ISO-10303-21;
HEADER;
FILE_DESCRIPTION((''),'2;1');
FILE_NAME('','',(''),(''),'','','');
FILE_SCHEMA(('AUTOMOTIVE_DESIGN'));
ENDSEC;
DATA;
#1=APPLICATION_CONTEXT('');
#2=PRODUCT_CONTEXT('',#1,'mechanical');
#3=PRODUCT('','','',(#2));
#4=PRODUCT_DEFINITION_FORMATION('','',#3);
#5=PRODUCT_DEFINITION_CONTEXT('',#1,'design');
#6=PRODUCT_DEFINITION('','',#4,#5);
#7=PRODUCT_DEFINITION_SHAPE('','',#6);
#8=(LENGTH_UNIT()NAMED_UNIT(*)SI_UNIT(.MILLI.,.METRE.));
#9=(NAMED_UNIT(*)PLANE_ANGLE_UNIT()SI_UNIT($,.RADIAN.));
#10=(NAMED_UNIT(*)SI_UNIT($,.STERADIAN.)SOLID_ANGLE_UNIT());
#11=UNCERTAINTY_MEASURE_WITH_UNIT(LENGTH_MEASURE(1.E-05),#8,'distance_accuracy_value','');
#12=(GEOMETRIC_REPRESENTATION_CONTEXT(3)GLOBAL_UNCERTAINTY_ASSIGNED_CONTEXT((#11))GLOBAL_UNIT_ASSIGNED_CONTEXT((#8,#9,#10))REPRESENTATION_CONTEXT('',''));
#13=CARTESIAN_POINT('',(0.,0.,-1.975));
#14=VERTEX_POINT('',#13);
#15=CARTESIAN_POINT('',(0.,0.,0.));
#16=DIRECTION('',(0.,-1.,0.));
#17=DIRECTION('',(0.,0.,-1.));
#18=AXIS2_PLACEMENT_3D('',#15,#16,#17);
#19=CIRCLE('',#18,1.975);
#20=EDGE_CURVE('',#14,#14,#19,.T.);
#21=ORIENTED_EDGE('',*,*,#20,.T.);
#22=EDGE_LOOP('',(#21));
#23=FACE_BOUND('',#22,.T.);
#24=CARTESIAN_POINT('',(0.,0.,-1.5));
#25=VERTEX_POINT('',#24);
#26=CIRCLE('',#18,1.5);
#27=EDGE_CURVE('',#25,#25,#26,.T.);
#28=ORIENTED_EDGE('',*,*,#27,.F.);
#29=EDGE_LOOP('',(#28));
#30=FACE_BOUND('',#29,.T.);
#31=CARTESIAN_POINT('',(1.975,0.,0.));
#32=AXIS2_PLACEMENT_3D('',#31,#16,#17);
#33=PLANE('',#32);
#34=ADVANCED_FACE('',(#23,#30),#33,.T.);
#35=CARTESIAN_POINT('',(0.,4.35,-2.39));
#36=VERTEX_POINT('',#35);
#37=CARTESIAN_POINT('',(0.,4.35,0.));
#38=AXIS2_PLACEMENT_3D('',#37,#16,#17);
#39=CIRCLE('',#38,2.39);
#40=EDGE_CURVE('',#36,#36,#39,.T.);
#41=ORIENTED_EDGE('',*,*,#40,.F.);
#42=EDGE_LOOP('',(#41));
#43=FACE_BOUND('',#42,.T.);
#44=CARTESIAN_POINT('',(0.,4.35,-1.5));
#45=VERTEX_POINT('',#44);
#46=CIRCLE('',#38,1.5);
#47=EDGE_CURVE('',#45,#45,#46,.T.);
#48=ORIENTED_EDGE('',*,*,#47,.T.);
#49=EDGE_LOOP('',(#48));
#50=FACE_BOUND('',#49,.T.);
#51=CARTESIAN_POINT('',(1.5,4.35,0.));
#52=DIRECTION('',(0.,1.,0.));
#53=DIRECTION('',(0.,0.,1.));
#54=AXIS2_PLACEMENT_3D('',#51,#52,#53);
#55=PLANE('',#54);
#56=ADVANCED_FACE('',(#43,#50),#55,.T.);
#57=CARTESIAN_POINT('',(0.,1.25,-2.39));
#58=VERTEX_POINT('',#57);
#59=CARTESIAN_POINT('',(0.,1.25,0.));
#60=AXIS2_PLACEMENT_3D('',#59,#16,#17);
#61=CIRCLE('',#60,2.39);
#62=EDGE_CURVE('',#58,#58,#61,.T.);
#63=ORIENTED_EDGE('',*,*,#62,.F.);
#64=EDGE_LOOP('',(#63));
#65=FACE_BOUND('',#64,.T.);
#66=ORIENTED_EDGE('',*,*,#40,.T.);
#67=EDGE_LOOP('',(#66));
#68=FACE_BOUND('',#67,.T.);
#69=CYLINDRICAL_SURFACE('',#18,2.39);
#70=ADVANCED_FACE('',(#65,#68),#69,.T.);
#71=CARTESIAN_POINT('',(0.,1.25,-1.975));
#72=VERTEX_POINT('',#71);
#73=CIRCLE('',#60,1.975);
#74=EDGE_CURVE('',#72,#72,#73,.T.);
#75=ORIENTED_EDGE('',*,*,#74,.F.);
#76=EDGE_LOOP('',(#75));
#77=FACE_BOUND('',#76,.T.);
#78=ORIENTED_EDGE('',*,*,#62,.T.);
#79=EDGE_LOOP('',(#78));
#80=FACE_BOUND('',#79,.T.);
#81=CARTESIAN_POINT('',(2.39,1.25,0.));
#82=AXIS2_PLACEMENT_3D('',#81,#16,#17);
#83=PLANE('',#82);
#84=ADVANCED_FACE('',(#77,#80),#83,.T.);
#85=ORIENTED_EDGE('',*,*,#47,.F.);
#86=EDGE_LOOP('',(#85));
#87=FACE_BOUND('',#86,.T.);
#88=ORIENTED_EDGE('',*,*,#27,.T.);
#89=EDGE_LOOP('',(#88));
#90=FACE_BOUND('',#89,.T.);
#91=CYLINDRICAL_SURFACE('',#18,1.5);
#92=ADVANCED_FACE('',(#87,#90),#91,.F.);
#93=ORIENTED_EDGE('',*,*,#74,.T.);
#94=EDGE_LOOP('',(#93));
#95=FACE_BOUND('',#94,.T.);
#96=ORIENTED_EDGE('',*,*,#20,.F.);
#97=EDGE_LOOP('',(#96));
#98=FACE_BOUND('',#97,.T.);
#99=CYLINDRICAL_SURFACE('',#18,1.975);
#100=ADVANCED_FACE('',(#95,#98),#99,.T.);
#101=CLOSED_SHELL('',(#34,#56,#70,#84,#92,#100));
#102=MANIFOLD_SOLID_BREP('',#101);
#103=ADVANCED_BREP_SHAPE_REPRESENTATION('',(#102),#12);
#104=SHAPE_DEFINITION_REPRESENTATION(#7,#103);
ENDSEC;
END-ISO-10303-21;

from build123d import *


with BuildPart() as part:
    # Sketch1 → Revolve1 (revolve)
    with BuildSketch(Plane.XY):
        Polygon((1.5, 4.35), (2.39, 4.35), (2.39, 1.25), (1.975, 1.25), (1.975, 0), (1.5, 0), align=None)
    revolve(axis=Axis((0, 0, 0), (0, 1, 0)))


solid = part.part
